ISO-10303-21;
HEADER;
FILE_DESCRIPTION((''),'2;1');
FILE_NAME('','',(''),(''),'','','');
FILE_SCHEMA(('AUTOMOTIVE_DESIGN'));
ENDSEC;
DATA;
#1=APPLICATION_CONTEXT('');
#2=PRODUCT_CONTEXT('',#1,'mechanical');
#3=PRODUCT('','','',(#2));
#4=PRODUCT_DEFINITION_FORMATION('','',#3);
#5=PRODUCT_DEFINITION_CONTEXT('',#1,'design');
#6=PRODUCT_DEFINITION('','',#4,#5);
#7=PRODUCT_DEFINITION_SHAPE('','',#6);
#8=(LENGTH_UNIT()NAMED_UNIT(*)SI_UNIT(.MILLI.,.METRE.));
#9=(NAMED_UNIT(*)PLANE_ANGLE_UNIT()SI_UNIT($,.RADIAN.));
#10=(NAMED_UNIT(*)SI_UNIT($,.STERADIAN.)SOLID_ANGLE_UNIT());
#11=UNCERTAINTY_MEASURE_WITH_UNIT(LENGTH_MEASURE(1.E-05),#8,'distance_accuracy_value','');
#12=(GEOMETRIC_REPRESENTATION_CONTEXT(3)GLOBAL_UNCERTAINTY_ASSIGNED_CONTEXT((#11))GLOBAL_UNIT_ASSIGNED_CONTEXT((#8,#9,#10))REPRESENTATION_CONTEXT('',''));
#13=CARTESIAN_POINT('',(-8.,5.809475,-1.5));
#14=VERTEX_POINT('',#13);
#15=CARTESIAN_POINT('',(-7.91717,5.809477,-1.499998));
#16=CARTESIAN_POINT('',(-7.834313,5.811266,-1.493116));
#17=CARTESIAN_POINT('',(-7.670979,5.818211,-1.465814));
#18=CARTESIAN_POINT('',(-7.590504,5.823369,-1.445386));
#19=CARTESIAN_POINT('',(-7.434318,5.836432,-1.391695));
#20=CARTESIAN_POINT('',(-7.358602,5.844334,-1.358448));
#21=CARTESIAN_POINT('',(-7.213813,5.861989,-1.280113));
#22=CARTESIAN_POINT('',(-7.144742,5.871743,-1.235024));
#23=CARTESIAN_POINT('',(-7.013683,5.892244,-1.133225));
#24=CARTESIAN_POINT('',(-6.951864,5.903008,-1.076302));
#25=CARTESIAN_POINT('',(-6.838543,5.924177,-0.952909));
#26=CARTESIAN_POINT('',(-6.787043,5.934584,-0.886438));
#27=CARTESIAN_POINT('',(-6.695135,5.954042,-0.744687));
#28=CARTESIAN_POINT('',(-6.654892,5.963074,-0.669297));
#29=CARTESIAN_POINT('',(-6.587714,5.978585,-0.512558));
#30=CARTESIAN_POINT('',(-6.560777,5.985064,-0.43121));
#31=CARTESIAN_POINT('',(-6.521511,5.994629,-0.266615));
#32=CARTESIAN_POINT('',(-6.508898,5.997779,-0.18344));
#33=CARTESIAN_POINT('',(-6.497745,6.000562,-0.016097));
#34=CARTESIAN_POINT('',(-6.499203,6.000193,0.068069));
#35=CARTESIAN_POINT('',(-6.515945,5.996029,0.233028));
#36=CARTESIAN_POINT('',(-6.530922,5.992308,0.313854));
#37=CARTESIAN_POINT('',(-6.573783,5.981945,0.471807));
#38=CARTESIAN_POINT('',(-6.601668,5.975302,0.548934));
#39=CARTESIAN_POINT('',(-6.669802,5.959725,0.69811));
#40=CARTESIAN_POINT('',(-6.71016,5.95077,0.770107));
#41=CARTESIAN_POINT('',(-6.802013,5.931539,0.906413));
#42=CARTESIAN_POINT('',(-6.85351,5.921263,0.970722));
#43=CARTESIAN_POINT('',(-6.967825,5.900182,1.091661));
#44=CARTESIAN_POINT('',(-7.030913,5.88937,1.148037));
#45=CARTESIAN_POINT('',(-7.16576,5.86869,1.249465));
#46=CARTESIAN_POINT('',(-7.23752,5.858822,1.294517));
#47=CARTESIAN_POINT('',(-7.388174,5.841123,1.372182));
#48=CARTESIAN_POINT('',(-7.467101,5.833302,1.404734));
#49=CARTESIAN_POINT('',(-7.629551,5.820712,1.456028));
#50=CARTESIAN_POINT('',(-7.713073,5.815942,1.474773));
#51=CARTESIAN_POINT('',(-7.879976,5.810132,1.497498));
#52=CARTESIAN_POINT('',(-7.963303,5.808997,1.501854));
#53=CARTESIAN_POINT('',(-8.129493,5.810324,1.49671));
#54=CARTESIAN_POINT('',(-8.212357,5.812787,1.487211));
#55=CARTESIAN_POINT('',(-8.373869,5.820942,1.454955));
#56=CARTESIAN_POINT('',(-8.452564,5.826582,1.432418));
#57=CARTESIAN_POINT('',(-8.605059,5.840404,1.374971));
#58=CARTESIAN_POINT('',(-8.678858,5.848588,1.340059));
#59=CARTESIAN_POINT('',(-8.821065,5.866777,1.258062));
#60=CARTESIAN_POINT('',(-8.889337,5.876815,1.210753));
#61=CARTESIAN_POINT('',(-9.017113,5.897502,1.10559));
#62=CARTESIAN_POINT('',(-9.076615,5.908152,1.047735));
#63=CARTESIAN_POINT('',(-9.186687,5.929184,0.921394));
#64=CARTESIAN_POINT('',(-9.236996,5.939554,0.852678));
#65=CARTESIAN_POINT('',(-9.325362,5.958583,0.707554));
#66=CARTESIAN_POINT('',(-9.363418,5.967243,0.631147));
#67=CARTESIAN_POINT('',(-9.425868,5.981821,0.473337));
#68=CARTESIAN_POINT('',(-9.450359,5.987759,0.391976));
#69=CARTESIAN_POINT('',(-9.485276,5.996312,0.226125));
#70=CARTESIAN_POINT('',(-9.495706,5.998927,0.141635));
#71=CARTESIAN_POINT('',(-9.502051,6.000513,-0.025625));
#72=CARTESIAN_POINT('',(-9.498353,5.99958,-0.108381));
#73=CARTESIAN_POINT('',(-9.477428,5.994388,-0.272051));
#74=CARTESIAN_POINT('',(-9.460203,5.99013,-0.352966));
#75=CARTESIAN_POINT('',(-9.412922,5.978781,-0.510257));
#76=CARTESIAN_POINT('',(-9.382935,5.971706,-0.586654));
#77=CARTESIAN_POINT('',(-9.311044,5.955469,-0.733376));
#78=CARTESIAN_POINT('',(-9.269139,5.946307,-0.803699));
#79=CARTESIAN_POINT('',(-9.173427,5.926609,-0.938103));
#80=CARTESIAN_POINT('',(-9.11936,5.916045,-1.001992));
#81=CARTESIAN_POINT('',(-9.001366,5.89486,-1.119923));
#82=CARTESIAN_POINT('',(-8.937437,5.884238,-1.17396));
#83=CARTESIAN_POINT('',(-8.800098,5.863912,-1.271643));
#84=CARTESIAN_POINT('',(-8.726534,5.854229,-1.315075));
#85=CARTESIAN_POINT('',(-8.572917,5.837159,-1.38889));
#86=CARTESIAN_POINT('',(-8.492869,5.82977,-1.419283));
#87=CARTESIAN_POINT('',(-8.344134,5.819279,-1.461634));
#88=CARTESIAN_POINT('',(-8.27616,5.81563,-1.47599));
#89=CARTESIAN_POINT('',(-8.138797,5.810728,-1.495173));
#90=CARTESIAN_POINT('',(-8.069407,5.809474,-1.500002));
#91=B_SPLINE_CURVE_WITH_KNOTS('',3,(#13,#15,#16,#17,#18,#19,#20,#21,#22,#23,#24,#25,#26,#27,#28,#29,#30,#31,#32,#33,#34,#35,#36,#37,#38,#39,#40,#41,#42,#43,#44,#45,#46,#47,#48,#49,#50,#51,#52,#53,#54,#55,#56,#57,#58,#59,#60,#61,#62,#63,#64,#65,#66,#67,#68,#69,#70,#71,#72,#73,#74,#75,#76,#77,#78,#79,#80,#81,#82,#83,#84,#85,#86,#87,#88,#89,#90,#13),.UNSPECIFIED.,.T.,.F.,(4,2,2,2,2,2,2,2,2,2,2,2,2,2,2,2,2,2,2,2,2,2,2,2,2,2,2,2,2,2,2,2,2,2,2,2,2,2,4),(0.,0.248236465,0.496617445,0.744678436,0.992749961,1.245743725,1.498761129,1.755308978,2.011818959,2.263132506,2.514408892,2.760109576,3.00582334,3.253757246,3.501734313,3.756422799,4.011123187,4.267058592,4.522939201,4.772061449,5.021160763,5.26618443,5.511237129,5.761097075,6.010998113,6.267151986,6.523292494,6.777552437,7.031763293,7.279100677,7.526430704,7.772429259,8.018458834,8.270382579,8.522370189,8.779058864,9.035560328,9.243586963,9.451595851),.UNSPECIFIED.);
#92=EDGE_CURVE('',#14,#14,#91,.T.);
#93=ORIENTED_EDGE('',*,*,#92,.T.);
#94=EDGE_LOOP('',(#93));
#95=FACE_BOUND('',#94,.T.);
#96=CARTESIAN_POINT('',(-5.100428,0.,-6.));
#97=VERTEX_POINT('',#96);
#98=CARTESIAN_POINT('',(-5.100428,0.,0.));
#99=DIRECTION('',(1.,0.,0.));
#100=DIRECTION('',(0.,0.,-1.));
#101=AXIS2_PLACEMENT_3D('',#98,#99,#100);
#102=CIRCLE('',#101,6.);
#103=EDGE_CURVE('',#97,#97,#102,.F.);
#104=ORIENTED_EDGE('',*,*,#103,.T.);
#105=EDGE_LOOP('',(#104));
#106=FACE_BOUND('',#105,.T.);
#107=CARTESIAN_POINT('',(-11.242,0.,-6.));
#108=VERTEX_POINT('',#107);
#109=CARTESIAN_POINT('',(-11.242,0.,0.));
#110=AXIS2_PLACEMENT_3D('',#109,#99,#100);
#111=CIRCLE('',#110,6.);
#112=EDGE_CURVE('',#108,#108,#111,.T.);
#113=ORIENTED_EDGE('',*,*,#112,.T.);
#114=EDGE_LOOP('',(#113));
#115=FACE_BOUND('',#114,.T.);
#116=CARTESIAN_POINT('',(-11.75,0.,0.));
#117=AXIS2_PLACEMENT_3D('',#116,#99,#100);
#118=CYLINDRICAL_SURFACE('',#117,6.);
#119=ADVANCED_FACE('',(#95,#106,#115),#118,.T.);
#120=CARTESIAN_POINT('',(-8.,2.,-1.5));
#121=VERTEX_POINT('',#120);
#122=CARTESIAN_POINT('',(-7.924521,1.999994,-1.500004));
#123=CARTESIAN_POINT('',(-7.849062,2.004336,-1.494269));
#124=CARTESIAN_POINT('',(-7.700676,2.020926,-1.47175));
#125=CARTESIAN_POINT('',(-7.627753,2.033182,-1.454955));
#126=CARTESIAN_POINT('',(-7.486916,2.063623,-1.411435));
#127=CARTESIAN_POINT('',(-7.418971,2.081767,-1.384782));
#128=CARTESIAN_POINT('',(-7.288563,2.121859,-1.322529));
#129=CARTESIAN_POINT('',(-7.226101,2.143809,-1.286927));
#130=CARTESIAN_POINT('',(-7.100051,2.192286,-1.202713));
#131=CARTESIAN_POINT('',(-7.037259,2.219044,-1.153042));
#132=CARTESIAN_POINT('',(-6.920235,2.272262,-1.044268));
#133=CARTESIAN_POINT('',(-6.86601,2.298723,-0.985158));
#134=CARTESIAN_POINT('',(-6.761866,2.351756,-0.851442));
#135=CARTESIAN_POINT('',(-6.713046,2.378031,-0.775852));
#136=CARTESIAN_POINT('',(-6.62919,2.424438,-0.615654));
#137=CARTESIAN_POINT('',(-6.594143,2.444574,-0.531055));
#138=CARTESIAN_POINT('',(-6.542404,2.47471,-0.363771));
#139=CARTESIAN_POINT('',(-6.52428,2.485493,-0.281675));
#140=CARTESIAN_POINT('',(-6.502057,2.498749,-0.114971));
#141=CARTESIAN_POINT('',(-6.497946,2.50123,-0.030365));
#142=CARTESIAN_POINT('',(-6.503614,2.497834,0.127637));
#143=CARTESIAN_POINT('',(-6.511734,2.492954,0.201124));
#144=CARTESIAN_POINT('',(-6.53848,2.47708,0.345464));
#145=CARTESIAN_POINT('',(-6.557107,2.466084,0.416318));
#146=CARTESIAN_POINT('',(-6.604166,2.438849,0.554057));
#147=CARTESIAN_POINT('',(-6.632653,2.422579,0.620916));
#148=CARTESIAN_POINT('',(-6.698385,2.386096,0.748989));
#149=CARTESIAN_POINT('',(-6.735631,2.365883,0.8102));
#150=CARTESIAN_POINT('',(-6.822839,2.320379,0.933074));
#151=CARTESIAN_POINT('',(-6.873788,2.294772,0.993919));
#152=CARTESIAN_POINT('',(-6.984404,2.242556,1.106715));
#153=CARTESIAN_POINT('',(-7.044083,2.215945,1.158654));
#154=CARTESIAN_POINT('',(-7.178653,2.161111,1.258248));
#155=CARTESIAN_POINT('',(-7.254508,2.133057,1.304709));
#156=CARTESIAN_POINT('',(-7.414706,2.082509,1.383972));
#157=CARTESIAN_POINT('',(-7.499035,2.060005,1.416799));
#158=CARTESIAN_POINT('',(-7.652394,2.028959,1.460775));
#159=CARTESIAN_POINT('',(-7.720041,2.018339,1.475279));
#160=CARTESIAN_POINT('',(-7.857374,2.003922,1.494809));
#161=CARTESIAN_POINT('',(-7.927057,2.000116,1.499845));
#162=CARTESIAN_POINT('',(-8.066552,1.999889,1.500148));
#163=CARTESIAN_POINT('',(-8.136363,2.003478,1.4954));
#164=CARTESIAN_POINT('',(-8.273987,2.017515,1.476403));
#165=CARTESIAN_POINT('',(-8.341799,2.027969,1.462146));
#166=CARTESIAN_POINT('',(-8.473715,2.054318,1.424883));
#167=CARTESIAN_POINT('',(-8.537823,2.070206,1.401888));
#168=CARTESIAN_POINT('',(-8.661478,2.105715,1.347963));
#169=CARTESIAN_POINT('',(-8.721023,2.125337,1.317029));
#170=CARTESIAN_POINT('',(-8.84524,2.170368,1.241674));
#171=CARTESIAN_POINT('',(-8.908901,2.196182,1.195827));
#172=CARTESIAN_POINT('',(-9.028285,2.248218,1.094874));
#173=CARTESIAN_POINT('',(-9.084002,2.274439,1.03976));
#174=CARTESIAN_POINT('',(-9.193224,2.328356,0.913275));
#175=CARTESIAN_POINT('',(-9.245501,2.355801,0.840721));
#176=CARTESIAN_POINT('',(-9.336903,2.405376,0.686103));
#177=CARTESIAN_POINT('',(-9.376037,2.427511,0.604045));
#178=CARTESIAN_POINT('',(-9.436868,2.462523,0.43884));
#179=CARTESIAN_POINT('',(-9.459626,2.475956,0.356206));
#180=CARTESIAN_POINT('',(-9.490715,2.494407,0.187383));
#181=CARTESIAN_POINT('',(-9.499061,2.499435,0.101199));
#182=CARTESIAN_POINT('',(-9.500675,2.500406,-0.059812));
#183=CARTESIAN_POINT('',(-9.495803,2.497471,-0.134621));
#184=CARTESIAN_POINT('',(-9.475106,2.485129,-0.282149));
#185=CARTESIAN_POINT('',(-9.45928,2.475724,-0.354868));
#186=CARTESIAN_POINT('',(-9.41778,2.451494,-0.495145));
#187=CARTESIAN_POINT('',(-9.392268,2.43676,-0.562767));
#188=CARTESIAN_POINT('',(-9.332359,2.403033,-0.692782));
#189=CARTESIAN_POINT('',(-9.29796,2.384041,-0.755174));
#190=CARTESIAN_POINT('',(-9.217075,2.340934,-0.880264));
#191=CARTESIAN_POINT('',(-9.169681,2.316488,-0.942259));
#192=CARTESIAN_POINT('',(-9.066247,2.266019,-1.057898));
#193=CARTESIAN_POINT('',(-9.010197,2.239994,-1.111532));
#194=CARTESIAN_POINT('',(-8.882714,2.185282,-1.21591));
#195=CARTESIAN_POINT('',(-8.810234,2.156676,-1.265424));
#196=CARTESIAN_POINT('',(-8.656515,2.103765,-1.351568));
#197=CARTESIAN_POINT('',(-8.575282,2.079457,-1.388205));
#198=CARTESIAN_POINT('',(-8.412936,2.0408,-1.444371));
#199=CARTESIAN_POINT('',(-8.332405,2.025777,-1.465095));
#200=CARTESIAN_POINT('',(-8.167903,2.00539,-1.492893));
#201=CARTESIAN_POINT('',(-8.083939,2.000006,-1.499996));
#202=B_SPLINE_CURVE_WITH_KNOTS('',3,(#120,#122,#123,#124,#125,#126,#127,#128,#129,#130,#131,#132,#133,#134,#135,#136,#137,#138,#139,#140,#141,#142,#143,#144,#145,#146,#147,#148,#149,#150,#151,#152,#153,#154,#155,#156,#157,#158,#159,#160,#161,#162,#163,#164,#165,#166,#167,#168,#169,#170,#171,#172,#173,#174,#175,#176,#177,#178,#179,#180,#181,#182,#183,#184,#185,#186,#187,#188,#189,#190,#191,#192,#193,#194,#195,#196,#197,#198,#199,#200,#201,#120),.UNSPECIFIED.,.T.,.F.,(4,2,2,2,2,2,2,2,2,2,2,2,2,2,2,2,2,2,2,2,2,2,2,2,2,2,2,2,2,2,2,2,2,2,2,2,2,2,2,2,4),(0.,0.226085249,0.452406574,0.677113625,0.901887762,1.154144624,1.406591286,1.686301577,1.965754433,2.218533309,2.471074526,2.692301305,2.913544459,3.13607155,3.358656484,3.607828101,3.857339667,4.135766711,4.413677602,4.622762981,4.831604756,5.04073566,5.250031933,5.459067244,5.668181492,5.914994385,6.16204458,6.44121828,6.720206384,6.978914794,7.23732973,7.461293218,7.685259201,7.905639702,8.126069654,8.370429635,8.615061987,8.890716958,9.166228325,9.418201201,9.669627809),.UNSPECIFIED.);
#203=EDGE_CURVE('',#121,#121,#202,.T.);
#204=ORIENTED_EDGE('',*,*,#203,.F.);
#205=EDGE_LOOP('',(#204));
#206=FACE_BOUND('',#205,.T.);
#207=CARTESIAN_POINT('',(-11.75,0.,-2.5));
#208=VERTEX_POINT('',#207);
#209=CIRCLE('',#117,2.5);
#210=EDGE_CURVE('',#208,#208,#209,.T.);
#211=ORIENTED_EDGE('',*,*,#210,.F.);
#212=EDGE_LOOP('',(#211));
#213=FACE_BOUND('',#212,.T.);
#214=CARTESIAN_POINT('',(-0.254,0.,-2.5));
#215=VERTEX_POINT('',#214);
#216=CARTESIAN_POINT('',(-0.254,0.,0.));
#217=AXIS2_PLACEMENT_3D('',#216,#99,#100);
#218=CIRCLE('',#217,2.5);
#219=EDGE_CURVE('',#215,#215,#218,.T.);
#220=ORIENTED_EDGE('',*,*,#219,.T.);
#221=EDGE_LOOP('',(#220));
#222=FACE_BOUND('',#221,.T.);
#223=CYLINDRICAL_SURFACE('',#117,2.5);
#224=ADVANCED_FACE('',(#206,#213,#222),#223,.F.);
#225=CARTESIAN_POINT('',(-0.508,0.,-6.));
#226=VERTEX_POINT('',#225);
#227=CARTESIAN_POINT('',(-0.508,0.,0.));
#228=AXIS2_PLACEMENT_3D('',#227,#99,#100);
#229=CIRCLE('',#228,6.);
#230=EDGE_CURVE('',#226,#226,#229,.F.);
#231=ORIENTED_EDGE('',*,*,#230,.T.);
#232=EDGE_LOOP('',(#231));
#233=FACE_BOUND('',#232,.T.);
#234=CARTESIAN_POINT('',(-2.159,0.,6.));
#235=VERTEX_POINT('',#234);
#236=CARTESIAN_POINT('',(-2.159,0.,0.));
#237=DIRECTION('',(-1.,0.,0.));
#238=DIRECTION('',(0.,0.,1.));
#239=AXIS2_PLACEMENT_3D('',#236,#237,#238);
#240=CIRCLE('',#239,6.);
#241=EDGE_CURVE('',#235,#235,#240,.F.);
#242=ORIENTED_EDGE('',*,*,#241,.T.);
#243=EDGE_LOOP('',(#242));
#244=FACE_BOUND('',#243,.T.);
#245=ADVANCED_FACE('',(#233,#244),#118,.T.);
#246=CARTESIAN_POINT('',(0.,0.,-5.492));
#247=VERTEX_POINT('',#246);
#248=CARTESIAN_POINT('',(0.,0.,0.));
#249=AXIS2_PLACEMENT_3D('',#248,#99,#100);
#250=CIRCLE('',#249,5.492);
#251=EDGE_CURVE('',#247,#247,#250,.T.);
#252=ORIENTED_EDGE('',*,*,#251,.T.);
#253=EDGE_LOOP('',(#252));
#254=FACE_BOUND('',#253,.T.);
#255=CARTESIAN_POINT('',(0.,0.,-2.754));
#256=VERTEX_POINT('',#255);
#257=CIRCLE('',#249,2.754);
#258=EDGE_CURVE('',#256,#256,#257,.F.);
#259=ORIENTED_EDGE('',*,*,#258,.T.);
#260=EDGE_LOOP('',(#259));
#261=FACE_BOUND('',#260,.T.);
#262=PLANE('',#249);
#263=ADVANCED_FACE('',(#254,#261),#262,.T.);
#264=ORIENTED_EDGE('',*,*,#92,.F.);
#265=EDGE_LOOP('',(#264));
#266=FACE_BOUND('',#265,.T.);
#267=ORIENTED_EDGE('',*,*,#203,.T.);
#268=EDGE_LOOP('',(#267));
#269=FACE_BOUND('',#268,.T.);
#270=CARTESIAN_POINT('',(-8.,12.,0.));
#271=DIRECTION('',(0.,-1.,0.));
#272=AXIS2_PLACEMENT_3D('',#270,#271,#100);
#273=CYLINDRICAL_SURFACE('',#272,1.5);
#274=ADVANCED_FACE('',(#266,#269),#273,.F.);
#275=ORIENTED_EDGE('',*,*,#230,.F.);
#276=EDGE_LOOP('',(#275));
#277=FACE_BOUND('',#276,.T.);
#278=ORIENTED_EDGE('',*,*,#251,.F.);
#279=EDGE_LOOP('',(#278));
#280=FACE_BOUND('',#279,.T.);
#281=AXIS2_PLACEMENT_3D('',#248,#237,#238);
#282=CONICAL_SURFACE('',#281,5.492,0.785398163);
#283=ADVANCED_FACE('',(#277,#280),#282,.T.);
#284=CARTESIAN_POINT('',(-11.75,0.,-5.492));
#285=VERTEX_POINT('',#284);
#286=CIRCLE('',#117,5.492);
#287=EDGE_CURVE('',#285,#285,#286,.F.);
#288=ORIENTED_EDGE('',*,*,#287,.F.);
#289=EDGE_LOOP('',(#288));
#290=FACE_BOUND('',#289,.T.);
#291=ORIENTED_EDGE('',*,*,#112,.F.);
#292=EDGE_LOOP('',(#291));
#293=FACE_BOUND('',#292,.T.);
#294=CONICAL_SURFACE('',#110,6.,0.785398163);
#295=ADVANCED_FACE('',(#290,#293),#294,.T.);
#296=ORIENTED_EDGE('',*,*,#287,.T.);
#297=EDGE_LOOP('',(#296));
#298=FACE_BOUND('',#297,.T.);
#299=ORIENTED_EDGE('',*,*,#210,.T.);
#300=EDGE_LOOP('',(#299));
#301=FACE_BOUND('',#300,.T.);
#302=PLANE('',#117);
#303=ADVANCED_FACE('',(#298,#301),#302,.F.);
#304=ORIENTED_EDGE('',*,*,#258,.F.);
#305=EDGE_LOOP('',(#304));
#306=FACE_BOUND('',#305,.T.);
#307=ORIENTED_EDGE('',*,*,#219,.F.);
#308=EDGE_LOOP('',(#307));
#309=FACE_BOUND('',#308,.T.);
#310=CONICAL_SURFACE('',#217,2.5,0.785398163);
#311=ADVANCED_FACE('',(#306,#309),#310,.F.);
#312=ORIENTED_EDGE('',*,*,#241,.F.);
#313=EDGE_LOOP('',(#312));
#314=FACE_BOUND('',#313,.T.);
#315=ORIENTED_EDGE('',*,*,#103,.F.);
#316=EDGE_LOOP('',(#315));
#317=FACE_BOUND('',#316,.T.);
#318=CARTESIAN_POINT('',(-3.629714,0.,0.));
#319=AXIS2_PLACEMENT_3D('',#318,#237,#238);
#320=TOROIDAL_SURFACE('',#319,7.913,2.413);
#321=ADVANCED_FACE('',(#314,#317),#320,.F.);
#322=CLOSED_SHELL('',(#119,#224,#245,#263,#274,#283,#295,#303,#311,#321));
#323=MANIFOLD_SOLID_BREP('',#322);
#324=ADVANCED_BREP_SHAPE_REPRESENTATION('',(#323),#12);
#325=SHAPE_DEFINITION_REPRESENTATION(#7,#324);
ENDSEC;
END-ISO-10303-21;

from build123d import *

# Parameters (mm, degrees)
SKETCH1_R           = 6
SKETCH1_R_2         = 2.5
BOSS_EXTRUDE1_DEPTH = 11.75
SKETCH2_R           = 2.413
SKETCH3_R           = 1.5
CUT_EXTRUDE1_DEPTH  = 12
CHAMFER1_SIZE       = 0.508
CHAMFER2_SIZE       = 0.254


with BuildPart() as part:
    # Sketch1 → Boss-Extrude1 (new body)
    with BuildSketch(Plane(origin=(0, 0, 0), x_dir=(0, 0, -1), z_dir=(1, 0, 0))):
        Circle(SKETCH1_R)
        Circle(SKETCH1_R_2, mode=Mode.SUBTRACT)
    extrude(amount=-BOSS_EXTRUDE1_DEPTH)

    # Sketch2 → Cut-Revolve1 (revolve, cut)
    with BuildSketch(Plane(origin=(0, 0, 0), x_dir=(1, 0, 0), z_dir=(0, 1, 0))):
        with Locations((-3.629714112, 7.913)):
            Circle(SKETCH2_R)
    revolve(axis=Axis((0, 0, 0), (1, 0, 0)), mode=Mode.SUBTRACT)

    # Sketch3 → Cut-Extrude1 (cut)
    with BuildSketch(Plane(origin=(0, 0, 0), x_dir=(1, 0, 0), z_dir=(0, 1, 0))):
        with Locations((-8, 0)):
            Circle(SKETCH3_R)
    extrude(amount=CUT_EXTRUDE1_DEPTH, mode=Mode.SUBTRACT)

    # Chamfer1
    chamfer1_edges = [part.edges().sort_by_distance(p)[0] for p in [
        (0, 0, 6),
        (-11.75, 0, 6),
    ]]
    chamfer(chamfer1_edges, length=CHAMFER1_SIZE)

    # Chamfer2
    chamfer2_edges = [part.edges().sort_by_distance(p)[0] for p in [
        (0, 0, 2.5),
    ]]
    chamfer(chamfer2_edges, length=CHAMFER2_SIZE)


solid = part.part
